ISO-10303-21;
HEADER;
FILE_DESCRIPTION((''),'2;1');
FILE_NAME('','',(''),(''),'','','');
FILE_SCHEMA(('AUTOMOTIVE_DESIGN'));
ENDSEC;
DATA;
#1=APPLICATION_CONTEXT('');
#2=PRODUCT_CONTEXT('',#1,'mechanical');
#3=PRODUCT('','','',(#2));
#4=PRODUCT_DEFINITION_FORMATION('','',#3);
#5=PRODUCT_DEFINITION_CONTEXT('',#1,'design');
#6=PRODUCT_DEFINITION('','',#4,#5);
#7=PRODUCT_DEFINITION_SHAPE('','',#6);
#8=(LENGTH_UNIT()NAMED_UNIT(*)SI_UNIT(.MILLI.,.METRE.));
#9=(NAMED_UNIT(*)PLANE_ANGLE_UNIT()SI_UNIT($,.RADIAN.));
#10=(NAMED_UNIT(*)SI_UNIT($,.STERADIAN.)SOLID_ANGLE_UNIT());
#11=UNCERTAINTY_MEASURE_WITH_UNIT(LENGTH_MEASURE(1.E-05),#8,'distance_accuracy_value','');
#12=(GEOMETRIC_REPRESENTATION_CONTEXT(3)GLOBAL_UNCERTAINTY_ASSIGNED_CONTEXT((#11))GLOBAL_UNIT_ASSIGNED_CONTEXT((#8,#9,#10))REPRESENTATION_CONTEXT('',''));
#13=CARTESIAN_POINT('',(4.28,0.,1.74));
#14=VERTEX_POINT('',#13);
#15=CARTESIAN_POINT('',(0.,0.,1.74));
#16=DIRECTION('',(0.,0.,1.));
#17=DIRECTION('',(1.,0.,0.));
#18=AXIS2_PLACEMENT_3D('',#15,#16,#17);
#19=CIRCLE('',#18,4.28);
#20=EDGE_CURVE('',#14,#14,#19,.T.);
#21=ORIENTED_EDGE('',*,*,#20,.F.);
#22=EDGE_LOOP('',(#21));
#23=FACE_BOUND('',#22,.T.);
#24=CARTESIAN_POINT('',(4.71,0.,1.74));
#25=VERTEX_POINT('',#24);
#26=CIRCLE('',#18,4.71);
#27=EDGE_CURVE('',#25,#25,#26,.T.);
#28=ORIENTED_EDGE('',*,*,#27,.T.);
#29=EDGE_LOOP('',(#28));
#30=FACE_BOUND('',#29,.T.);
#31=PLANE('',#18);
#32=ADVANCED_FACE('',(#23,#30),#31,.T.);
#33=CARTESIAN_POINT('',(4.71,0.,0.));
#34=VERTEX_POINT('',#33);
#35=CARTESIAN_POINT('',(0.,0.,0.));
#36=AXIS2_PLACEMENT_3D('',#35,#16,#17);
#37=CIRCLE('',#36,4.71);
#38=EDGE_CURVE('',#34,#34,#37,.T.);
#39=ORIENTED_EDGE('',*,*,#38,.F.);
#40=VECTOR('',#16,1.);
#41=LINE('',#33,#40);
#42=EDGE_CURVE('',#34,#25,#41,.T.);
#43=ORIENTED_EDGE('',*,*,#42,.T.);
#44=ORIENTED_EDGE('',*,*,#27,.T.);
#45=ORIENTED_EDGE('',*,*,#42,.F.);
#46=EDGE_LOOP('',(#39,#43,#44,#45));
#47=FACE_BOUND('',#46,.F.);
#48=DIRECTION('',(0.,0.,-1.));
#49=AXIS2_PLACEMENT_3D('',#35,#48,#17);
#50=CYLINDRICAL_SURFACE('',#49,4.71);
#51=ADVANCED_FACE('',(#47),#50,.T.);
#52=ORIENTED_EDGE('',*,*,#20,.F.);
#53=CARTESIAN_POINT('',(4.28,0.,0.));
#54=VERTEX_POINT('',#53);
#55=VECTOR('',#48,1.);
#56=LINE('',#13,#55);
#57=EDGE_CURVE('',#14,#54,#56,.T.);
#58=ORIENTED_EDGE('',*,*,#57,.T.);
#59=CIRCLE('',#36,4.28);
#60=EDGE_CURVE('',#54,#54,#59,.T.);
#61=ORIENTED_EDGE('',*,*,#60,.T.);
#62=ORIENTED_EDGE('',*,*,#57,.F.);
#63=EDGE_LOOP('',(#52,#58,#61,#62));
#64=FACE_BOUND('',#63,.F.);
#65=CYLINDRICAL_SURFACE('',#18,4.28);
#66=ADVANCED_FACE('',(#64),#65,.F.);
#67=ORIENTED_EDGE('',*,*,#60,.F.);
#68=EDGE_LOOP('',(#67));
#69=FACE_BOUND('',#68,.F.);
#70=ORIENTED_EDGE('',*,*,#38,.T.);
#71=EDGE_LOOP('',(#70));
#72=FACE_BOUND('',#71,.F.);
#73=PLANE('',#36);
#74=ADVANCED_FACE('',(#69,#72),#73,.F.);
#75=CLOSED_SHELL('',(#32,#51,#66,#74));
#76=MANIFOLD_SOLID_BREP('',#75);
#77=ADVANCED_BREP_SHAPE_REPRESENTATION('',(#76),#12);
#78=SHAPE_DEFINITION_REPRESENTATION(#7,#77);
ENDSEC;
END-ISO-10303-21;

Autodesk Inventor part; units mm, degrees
ref_plane "YZ Plane" through (0, 0, 0) normal (1, 0, 0) x (0, 1, 0)
ref_plane "XZ Plane" through (0, 0, 0) normal (0, 1, 0) x (-1, 0, 0)
ref_plane "XY Plane" through (0, 0, 0) normal (0, 0, 1) x (1, 0, 0)
sketch "Sketch1" plane through (0, 0, 0) normal (0, 0, 1) x (1, 0, 0)
  circle A0 centre (0, 0) radius 4.71
  dimension "d0" = 9.42
extrude "Extrusion1" add sketch "Sketch1" along normal blind 1.74
sketch "Sketch2" plane through (0, 0, 1.74) normal (0, 0, 1) x (1, 0, 0)
  circle A0 centre (0, 0) radius 4.28
  dimension "d3" = 8.56
extrude "Extrusion2" cut sketch "Sketch2" against normal through all
properties part number "MIRROR_C"
